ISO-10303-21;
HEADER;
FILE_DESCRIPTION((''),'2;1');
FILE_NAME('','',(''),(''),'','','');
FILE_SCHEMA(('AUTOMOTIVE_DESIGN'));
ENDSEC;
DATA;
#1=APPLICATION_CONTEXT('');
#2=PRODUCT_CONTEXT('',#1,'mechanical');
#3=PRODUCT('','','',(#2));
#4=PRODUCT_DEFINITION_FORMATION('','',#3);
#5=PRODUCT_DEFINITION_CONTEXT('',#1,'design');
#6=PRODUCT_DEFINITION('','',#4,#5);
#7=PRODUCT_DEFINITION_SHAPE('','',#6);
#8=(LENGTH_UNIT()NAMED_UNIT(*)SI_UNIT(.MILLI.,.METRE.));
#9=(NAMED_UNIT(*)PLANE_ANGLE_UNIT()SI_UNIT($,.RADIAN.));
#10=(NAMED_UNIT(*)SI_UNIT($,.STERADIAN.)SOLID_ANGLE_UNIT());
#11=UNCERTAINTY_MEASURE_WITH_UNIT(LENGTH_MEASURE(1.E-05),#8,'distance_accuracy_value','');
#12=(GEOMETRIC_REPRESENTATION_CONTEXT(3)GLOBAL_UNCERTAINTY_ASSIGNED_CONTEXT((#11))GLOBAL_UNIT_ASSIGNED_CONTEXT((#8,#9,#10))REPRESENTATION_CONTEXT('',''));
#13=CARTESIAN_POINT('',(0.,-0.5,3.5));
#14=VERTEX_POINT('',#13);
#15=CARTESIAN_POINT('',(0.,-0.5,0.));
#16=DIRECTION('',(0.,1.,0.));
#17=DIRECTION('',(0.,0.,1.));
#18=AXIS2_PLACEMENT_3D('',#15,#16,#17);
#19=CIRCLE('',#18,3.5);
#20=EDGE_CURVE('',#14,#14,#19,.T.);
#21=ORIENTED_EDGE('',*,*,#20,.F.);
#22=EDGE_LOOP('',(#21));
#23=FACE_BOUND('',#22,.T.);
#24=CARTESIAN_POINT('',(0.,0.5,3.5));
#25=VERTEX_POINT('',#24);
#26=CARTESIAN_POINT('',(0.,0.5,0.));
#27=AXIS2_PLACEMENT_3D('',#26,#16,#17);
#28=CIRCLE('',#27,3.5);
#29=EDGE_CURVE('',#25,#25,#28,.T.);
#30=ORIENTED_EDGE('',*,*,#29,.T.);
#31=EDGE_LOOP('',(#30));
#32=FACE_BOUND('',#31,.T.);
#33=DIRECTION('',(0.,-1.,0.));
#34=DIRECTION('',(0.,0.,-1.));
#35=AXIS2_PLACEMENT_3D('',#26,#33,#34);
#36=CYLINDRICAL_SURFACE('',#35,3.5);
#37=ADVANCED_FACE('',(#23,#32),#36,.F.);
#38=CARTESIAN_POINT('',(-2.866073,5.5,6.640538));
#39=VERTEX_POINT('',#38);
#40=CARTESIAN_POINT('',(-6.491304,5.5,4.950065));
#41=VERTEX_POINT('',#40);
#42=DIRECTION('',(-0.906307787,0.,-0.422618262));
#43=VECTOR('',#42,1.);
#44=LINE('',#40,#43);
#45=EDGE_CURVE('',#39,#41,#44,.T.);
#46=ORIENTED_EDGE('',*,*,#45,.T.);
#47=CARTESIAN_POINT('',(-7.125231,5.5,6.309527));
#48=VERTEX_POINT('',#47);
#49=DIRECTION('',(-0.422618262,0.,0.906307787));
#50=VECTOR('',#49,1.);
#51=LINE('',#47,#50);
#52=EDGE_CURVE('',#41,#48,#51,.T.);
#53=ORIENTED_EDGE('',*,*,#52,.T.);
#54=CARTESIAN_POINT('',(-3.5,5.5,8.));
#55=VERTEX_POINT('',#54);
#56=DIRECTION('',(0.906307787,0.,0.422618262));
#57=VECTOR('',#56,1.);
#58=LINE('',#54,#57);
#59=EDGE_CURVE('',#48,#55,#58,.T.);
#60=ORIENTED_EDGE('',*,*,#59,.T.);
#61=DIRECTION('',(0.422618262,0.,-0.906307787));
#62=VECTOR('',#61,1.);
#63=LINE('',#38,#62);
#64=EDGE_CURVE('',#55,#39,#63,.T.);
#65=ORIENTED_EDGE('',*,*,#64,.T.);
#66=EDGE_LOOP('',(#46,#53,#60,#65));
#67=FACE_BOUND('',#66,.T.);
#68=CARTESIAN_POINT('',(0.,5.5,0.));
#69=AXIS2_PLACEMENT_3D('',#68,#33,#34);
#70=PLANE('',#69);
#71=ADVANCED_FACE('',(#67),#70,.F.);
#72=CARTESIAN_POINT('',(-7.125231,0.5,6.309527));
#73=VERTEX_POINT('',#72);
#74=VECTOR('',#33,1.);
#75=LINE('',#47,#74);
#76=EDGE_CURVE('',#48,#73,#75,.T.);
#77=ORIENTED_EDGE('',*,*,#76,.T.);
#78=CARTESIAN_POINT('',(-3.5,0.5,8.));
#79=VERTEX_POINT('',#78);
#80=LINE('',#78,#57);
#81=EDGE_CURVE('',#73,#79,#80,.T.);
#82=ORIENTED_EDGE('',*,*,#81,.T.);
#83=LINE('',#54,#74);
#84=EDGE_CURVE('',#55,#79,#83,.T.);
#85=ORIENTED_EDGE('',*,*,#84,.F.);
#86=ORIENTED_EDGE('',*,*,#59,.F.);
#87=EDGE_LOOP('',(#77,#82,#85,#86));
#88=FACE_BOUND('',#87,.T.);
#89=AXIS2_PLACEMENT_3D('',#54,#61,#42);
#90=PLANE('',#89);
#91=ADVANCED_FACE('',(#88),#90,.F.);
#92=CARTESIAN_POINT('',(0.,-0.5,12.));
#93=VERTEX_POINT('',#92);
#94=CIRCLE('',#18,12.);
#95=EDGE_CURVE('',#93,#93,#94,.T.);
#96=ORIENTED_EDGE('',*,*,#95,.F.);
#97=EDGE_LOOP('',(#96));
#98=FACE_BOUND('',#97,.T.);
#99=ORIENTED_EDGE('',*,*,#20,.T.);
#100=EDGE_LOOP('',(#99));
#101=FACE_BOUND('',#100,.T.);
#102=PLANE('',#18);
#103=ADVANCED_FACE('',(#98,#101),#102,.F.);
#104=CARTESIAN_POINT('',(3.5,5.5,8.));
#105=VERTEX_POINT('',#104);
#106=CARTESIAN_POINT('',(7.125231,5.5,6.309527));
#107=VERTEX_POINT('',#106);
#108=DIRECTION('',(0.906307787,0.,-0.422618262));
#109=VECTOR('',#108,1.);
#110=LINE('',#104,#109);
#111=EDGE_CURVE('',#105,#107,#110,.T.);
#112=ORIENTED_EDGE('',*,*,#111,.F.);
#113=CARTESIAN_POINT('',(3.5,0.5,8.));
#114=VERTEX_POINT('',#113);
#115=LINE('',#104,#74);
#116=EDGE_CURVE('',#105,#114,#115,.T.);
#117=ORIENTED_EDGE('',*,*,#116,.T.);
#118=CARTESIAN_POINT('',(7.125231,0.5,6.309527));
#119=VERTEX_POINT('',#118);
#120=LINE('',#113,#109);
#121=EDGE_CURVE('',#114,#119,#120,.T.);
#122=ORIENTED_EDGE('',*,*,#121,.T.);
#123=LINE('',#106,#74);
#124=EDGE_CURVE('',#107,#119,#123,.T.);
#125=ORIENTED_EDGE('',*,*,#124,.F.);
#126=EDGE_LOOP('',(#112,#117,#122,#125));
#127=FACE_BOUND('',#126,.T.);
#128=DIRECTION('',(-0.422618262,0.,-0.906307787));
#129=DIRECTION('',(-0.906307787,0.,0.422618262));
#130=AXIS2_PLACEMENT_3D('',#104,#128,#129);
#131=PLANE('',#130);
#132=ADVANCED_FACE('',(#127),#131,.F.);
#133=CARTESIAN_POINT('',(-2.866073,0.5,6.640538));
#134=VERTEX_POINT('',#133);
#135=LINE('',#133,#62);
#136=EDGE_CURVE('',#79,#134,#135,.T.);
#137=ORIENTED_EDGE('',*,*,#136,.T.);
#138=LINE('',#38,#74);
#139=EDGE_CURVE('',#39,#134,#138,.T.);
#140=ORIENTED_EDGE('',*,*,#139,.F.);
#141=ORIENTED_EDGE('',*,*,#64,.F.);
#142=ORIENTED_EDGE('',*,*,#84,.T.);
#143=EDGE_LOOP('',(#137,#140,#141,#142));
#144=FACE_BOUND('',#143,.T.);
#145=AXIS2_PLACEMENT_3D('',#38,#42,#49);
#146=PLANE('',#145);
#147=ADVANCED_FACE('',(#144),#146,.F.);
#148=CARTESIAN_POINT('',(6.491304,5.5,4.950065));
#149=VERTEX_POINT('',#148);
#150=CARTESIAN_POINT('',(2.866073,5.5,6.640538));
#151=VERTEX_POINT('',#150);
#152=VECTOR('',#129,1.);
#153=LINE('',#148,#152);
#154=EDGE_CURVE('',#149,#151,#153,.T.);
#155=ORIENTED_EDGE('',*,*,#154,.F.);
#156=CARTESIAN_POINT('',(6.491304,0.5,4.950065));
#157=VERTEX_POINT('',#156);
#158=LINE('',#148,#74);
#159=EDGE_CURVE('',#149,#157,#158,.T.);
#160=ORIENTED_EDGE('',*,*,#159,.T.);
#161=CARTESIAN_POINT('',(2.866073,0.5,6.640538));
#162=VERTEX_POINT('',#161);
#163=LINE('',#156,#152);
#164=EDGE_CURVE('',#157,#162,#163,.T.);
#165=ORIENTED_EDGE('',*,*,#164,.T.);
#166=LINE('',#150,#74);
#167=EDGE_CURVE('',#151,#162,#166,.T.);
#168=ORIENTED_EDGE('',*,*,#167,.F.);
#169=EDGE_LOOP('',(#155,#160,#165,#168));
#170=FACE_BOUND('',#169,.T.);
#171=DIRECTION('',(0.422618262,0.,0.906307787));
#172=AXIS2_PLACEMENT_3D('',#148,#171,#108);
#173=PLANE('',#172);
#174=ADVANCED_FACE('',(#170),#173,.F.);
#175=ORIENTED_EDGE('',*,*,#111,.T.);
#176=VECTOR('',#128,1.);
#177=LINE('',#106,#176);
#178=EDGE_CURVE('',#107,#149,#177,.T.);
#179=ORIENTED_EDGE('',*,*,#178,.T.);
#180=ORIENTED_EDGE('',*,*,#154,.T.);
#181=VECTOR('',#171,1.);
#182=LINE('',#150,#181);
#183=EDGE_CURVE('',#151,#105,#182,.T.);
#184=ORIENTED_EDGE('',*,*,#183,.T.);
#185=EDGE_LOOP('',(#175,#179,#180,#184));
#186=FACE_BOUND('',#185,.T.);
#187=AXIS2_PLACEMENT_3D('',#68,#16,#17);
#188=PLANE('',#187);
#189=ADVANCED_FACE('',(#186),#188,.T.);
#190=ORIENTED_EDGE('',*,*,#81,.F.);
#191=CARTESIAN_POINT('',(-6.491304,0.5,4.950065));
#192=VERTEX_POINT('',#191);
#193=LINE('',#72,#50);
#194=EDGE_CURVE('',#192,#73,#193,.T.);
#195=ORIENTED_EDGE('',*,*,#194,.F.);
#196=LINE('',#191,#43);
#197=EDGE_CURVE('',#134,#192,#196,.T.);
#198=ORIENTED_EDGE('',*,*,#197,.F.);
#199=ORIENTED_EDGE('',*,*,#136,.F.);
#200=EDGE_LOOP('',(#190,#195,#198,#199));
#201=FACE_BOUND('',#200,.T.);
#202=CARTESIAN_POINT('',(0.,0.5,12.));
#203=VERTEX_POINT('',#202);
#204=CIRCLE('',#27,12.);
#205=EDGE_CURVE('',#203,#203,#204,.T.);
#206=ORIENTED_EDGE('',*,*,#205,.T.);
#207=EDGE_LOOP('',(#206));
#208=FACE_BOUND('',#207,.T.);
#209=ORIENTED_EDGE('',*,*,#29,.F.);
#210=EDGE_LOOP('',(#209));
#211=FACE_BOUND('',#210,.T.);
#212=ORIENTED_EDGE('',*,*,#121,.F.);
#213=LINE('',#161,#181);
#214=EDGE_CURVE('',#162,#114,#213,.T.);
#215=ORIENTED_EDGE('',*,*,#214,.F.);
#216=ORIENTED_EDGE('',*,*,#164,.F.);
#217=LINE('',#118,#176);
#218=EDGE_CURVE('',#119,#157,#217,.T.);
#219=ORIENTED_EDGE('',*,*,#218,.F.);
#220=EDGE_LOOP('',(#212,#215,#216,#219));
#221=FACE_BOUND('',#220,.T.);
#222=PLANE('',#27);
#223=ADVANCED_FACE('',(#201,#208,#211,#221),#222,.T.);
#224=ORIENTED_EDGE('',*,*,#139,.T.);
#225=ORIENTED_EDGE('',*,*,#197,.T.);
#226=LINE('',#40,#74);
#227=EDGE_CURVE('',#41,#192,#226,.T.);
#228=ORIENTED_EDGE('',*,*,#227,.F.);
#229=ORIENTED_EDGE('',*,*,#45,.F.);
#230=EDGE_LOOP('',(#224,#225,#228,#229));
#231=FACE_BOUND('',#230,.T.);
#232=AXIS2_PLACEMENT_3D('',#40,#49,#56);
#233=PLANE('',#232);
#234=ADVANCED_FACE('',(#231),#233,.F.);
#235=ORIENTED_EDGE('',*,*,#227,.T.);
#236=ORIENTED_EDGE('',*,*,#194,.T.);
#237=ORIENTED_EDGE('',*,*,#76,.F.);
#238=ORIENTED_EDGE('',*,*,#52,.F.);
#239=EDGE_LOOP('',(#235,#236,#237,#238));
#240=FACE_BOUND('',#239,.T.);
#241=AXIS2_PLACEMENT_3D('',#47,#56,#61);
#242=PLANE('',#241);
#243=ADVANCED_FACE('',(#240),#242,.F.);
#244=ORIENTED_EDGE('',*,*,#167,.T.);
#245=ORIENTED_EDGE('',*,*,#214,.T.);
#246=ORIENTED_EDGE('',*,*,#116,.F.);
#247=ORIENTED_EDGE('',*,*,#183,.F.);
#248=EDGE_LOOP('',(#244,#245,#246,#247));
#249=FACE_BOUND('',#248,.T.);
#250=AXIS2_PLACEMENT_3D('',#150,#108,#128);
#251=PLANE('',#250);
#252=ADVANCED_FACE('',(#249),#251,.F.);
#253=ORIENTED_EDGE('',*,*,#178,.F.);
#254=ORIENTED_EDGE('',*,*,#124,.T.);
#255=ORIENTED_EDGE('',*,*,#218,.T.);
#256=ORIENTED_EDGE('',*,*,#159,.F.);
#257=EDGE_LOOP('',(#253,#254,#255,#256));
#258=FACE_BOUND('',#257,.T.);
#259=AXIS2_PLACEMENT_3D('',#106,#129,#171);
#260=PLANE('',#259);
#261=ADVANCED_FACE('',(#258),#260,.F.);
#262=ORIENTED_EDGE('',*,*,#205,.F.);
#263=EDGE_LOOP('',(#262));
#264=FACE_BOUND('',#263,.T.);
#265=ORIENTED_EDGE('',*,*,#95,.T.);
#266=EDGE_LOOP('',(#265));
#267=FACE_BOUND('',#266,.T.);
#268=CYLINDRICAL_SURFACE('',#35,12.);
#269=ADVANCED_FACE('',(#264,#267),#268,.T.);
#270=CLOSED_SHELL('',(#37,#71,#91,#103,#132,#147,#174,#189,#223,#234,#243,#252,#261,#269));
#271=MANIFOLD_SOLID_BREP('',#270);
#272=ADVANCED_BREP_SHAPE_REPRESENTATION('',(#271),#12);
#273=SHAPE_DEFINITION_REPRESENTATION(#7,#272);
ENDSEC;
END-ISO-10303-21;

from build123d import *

# Parameters (mm, degrees)
SKETCH1_R           = 12
SKETCH1_R_2         = 3.5
BOSS_EXTRUDE1_DEPTH = 0.5
BOSS_EXTRUDE3_DEPTH = 5


with BuildPart() as part:
    # Sketch1 → Boss-Extrude1 (new body, symmetric)
    with BuildSketch(Plane(origin=(0, 0, 0), x_dir=(1, 0, 0), z_dir=(0, 1, 0))):
        Circle(SKETCH1_R)
        Circle(SKETCH1_R_2, mode=Mode.SUBTRACT)
    extrude(amount=BOSS_EXTRUDE1_DEPTH, both=True)

    # Sketch5 → Boss-Extrude3 (add)
    with BuildSketch(Plane(origin=(0, 0.5, 0), x_dir=(1, 0, 0), z_dir=(0, 1, 0))):
        Polygon((-6.491303756, -4.950065272), (-2.866072607, -6.640538319), (-3.5, -8), (-7.125231148, -6.309526953), align=None)
        Polygon((7.125231148, -6.309526953), (6.491303756, -4.950065272), (2.866072607, -6.640538319), (3.5, -8), align=None)
    extrude(amount=BOSS_EXTRUDE3_DEPTH)


solid = part.part
